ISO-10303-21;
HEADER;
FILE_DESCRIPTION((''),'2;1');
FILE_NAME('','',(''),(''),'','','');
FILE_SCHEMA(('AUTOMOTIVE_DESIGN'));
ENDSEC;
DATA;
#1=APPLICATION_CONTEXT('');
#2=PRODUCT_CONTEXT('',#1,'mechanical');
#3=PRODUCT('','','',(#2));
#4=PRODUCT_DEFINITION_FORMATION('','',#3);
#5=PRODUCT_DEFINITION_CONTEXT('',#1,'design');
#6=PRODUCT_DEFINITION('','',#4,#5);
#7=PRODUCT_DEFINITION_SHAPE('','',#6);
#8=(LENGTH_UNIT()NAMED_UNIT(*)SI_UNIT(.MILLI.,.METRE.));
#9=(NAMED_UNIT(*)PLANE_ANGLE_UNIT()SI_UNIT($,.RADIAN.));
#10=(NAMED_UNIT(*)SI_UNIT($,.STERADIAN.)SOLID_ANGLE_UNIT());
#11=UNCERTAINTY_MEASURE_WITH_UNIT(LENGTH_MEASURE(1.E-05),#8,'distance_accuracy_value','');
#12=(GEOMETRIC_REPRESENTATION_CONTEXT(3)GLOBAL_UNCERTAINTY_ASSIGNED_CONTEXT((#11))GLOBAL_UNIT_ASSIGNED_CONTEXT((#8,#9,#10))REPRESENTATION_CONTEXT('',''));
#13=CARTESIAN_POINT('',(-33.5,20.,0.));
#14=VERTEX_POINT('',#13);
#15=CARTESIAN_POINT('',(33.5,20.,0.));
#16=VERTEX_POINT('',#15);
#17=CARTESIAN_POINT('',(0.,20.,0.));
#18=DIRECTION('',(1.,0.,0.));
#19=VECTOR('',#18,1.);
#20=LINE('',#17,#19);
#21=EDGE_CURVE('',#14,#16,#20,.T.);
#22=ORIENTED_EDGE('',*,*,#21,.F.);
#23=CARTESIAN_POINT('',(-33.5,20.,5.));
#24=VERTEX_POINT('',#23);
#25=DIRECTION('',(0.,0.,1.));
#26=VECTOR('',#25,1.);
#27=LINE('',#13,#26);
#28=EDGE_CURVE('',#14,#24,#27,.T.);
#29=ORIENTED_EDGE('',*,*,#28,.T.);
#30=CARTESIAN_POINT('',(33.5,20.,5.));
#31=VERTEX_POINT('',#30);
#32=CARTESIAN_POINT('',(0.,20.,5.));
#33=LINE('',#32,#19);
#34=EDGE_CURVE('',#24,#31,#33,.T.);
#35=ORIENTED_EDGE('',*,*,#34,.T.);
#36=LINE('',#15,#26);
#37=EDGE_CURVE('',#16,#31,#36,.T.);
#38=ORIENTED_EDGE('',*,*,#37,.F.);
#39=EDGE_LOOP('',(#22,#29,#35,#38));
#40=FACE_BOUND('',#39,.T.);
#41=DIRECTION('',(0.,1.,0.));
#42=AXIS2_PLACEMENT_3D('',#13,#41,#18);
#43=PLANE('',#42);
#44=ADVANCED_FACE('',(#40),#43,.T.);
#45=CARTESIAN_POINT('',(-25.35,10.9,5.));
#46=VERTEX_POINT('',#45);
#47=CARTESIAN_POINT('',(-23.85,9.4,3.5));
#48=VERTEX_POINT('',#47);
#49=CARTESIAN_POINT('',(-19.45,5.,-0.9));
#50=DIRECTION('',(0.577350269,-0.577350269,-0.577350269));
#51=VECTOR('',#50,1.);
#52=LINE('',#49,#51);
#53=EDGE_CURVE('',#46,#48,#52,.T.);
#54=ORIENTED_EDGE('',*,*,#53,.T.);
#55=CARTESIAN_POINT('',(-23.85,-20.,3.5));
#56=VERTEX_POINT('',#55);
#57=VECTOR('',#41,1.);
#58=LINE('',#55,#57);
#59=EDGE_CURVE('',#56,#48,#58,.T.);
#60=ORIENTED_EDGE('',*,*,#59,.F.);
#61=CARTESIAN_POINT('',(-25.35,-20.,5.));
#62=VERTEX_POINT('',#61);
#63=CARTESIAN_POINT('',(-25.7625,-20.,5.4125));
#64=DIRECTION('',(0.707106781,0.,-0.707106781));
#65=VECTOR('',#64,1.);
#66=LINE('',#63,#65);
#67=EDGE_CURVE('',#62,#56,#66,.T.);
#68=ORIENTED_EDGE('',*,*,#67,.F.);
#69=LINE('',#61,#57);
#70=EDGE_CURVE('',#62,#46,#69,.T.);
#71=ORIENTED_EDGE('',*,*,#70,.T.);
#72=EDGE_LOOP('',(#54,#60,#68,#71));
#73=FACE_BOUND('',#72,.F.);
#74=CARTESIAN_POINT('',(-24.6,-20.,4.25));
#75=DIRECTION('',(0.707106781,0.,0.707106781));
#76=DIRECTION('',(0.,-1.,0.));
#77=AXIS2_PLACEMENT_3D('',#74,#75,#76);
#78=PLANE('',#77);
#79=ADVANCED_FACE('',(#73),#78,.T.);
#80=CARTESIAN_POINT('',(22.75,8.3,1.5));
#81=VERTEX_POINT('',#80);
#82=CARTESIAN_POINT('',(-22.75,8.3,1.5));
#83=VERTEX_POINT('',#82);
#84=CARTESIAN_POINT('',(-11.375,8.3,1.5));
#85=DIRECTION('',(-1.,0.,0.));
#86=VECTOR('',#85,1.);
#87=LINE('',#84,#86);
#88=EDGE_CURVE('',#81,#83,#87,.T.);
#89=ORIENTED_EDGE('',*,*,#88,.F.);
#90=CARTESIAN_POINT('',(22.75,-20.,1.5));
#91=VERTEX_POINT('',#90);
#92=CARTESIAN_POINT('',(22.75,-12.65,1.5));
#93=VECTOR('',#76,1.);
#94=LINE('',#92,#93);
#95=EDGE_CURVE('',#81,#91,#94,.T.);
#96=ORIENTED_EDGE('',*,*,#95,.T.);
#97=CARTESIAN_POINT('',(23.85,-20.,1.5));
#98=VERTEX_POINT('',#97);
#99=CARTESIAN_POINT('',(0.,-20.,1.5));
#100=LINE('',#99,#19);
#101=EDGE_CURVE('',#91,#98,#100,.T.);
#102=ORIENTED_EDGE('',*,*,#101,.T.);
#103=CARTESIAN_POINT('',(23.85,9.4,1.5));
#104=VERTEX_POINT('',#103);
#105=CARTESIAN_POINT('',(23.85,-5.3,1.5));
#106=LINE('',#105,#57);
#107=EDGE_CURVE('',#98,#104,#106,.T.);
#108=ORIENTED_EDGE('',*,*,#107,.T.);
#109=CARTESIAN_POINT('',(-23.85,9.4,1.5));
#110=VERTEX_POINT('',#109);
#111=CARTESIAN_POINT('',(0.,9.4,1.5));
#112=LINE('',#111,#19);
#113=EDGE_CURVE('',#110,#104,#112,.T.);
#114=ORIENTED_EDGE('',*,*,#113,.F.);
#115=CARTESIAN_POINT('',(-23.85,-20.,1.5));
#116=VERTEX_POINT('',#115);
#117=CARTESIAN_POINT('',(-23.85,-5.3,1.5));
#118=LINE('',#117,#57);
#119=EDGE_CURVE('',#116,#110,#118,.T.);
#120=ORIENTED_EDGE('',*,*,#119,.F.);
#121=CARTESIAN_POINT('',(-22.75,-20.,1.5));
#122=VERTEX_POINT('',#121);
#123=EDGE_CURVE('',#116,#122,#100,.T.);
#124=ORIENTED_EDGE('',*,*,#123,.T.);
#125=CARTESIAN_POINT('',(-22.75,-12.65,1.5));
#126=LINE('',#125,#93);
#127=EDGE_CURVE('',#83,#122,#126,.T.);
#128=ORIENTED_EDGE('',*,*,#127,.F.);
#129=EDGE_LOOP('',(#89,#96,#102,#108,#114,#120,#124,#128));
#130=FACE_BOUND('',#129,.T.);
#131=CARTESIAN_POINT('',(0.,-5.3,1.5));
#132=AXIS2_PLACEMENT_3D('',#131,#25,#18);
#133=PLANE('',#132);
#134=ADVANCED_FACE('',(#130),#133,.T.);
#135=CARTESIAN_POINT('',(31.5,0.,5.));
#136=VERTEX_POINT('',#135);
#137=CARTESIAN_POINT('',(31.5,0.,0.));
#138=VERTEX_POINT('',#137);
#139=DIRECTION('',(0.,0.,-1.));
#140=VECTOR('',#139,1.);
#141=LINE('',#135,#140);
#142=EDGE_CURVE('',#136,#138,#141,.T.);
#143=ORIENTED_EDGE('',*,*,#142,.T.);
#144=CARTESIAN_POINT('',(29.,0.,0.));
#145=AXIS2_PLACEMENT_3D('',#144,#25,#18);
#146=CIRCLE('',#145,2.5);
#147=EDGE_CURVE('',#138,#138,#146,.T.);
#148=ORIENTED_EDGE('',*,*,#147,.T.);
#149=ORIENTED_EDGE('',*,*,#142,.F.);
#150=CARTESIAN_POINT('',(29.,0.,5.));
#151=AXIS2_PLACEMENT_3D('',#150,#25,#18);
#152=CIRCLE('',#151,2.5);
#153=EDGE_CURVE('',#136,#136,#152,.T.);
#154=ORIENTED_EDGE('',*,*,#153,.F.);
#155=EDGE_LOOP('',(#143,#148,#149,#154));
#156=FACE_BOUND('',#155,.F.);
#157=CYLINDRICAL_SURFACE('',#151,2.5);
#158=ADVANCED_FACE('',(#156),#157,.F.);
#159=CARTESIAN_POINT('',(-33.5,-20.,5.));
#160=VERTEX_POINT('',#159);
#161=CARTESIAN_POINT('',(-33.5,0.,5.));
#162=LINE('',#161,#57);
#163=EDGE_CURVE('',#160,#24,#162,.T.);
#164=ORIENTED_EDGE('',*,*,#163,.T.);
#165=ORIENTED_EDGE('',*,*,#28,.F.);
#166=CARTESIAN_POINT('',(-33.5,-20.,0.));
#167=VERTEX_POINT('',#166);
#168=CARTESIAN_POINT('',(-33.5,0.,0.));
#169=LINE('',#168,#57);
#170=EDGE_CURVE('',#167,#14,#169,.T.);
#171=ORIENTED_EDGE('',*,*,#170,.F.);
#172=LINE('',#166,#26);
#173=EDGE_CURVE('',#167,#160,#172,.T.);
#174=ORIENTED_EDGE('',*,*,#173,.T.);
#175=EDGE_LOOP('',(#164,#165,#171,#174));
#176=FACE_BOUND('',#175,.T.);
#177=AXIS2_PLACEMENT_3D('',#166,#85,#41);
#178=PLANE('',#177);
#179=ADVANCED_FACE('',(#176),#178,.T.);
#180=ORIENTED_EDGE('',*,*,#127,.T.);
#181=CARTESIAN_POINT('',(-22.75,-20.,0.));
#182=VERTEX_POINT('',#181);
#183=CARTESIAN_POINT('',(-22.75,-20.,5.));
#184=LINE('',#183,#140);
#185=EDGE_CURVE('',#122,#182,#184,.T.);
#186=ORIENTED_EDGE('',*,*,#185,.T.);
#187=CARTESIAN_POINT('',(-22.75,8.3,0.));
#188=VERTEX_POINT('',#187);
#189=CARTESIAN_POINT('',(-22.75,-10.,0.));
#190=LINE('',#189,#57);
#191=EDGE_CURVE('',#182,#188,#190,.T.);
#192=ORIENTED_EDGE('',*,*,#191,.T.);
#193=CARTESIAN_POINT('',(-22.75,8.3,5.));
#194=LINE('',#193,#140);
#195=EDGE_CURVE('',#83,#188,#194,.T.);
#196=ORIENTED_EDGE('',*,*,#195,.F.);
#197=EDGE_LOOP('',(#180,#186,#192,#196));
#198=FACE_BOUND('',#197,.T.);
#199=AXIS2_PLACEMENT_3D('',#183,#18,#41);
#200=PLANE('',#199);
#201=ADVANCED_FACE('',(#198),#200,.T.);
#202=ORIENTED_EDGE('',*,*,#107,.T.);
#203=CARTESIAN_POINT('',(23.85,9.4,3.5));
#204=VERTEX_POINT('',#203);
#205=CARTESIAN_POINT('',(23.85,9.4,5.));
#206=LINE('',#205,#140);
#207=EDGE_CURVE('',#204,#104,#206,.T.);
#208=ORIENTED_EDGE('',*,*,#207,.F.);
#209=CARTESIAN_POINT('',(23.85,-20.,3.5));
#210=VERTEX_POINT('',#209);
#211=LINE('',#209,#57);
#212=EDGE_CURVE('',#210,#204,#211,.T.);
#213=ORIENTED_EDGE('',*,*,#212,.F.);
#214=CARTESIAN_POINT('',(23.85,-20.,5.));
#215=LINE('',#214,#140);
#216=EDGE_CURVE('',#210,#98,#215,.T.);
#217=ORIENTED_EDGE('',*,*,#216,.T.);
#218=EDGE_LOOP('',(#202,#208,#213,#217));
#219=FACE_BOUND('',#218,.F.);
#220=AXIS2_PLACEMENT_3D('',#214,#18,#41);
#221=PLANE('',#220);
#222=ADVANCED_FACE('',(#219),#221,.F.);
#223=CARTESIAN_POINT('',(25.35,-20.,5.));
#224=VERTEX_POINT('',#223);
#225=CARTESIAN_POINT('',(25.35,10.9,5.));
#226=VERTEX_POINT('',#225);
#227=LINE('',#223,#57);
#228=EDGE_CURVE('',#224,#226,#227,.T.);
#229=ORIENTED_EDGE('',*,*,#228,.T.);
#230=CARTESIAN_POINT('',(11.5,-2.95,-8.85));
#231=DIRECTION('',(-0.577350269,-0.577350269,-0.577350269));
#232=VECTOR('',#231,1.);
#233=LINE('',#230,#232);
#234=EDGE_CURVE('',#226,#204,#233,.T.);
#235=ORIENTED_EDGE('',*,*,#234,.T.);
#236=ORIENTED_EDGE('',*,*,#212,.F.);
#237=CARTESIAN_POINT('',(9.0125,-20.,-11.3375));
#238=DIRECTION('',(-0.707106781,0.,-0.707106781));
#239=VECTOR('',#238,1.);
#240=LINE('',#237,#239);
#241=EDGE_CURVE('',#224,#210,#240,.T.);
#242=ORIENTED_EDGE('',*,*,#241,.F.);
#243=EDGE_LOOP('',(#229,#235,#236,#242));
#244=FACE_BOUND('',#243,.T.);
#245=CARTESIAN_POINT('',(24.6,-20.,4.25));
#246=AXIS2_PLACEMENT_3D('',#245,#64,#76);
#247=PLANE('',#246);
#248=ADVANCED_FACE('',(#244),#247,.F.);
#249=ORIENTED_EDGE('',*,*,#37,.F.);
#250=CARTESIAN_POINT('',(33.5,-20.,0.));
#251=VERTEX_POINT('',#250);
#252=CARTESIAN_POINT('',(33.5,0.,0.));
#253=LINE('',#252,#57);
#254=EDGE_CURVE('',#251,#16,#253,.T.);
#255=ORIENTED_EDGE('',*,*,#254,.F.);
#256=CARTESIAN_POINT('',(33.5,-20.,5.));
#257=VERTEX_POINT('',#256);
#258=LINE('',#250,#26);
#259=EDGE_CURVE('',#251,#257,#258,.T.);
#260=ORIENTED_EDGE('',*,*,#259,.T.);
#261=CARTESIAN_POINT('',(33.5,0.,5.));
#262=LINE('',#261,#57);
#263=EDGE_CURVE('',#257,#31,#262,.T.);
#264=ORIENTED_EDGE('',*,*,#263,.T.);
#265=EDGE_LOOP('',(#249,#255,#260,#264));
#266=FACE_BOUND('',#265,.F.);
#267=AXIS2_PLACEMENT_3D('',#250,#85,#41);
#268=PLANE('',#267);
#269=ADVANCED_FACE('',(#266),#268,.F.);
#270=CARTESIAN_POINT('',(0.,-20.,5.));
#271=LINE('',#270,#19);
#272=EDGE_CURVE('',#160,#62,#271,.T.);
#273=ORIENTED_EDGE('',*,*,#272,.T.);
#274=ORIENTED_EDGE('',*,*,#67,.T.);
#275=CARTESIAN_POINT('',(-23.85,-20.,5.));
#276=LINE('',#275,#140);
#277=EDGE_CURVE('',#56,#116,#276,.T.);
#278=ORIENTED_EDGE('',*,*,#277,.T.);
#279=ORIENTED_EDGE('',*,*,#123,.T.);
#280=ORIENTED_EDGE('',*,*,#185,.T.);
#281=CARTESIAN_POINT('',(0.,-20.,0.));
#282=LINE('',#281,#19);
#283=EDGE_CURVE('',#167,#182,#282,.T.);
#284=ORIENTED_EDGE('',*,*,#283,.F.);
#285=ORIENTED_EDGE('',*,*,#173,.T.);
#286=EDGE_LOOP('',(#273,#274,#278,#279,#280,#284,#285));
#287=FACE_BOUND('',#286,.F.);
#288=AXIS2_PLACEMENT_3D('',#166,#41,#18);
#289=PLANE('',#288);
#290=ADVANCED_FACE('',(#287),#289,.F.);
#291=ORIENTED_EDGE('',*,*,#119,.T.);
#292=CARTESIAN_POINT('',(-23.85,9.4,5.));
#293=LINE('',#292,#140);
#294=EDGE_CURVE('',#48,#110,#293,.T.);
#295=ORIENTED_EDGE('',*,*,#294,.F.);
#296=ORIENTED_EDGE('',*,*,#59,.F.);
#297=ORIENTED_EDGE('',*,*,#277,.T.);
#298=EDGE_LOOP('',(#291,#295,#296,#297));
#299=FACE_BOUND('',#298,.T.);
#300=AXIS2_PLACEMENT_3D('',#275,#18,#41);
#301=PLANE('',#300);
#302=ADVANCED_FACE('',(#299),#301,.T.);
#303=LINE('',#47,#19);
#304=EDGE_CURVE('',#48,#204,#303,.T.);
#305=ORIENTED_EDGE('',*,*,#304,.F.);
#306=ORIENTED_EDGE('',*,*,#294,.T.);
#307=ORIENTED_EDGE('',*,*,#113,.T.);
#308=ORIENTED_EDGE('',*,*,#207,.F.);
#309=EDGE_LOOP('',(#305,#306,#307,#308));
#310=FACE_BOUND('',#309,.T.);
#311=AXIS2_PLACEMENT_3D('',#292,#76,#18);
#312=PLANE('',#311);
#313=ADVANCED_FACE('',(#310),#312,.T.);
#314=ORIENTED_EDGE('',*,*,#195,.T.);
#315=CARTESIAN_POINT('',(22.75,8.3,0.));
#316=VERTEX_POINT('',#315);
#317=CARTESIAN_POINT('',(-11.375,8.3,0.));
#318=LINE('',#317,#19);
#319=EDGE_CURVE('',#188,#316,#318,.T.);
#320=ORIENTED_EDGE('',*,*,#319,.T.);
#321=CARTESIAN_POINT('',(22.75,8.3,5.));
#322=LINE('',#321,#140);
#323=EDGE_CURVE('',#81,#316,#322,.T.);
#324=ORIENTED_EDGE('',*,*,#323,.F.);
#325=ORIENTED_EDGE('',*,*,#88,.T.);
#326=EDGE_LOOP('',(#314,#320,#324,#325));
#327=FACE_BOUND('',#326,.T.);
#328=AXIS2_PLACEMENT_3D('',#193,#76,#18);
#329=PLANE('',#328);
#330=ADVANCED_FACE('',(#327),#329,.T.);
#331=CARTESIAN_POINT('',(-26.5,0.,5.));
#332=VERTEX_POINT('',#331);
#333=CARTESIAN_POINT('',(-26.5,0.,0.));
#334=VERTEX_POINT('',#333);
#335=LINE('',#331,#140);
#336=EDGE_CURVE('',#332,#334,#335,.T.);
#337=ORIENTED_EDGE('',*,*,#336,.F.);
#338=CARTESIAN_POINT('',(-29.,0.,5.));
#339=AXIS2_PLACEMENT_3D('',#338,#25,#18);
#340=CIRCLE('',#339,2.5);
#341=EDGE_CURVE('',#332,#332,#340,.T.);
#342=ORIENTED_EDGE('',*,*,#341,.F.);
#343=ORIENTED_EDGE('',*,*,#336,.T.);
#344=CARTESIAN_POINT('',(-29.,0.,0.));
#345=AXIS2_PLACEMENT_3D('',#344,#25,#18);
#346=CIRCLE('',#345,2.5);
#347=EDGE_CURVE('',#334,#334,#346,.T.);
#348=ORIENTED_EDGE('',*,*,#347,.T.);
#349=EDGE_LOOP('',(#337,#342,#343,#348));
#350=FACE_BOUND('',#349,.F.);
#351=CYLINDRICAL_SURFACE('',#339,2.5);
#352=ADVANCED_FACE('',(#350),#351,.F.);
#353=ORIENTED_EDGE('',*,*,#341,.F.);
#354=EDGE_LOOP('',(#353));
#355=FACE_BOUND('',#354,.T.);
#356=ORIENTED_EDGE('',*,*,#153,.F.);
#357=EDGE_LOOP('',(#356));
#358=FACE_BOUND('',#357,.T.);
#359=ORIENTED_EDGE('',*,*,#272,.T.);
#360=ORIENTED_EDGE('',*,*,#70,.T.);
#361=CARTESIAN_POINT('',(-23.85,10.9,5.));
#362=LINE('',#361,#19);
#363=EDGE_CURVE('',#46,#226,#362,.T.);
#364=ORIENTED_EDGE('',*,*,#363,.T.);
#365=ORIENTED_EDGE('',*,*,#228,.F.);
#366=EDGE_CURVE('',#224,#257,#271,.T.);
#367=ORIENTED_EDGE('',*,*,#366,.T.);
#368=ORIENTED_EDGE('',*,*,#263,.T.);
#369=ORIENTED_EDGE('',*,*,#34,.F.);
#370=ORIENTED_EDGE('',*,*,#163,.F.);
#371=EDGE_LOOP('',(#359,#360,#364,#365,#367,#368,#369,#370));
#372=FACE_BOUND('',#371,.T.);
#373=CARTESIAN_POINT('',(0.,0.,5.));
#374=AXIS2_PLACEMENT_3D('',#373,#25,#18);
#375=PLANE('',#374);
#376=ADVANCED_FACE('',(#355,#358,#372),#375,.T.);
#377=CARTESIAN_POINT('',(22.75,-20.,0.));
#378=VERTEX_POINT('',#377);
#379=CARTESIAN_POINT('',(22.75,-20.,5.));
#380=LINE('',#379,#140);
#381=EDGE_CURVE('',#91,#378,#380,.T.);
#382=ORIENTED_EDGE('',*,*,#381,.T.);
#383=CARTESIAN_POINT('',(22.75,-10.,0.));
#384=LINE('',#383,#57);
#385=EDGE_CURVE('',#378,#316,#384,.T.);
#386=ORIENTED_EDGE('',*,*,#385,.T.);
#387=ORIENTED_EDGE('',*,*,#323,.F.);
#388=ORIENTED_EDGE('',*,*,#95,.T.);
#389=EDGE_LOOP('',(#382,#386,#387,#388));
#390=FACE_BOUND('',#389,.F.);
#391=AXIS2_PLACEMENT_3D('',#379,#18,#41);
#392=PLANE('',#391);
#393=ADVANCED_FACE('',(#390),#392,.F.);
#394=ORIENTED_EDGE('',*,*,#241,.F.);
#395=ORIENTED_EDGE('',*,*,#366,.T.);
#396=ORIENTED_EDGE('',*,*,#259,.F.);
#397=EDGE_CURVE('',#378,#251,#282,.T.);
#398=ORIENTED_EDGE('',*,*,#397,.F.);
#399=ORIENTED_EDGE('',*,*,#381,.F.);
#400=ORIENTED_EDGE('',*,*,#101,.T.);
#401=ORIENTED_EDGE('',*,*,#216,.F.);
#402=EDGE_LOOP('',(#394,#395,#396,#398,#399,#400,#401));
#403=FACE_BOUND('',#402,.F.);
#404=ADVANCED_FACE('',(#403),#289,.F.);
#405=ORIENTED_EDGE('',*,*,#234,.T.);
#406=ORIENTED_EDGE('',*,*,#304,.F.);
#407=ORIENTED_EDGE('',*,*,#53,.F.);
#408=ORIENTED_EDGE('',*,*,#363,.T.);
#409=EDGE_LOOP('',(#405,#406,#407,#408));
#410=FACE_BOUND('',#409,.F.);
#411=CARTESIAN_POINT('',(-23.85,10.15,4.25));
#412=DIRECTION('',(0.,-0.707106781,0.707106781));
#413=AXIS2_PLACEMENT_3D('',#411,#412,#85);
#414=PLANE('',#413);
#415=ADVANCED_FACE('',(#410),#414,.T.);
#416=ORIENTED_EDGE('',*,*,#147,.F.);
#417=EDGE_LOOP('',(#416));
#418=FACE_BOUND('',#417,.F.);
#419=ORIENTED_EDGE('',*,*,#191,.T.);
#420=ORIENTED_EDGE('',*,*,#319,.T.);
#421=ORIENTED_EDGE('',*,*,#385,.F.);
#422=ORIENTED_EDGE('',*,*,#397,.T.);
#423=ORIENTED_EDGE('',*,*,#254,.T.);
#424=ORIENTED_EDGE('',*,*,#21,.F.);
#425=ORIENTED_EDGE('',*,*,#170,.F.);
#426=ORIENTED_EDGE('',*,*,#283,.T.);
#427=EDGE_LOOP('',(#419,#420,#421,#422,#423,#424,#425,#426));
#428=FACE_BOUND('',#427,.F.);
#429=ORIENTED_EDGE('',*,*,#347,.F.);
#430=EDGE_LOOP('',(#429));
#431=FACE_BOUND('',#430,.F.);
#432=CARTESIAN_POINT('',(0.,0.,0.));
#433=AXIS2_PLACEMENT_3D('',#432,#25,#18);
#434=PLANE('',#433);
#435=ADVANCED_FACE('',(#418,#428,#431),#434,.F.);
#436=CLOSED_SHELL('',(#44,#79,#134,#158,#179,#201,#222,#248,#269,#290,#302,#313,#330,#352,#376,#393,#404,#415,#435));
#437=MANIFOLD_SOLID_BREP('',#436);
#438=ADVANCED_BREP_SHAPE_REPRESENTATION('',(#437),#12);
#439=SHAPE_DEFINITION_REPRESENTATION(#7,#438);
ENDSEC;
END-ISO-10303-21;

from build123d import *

# Parameters (mm, degrees)
SKETCH_W        = 67
SKETCH_H        = 40
PAD_DEPTH       = 5
SKETCH001_W     = 45.5
SKETCH001_H     = 28.3
POCKET_DEPTH    = 5.001
SKETCH002_W     = 47.7
SKETCH002_H     = 29.4
POCKET001_DEPTH = 3.5
SKETCH003_R     = 2.5
POCKET002_DEPTH = 5.001
CHAMFER_SIZE    = 1.5


with BuildPart() as part:
    # Sketch → Pad (new body)
    with BuildSketch(Plane.XY):
        Rectangle(SKETCH_W, SKETCH_H)
    extrude(amount=PAD_DEPTH)

    # Sketch001 (on Face6 of Pad) → Pocket (cut, through all)
    with BuildSketch(Plane.XY.offset(5)):
        with Locations((0, -5.85)):
            Rectangle(SKETCH001_W, SKETCH001_H)
    extrude(amount=-POCKET_DEPTH, mode=Mode.SUBTRACT)

    # Sketch002 (on Face5 of Pocket) → Pocket001 (cut)
    with BuildSketch(Plane.XY.offset(5)):
        with Locations((0, -5.3)):
            Rectangle(SKETCH002_W, SKETCH002_H)
    extrude(amount=-POCKET001_DEPTH, mode=Mode.SUBTRACT)

    # Sketch003 (on Face5 of Pocket001) → Pocket002 (cut, through all)
    with BuildSketch(Plane.XY.offset(5)):
        with Locations((29, 0)):
            Circle(SKETCH003_R)
        with Locations((-29, 0)):
            Circle(SKETCH003_R)
    extrude(amount=-POCKET002_DEPTH, mode=Mode.SUBTRACT)

    # Chamfer
    chamfer_edges = [part.edges().sort_by_distance(p)[0] for p in [
        (0, 9.4, 5),
        (-23.85, -5.3, 5),
        (23.85, -5.3, 5),
    ]]
    chamfer(chamfer_edges, length=CHAMFER_SIZE)


solid = part.part
